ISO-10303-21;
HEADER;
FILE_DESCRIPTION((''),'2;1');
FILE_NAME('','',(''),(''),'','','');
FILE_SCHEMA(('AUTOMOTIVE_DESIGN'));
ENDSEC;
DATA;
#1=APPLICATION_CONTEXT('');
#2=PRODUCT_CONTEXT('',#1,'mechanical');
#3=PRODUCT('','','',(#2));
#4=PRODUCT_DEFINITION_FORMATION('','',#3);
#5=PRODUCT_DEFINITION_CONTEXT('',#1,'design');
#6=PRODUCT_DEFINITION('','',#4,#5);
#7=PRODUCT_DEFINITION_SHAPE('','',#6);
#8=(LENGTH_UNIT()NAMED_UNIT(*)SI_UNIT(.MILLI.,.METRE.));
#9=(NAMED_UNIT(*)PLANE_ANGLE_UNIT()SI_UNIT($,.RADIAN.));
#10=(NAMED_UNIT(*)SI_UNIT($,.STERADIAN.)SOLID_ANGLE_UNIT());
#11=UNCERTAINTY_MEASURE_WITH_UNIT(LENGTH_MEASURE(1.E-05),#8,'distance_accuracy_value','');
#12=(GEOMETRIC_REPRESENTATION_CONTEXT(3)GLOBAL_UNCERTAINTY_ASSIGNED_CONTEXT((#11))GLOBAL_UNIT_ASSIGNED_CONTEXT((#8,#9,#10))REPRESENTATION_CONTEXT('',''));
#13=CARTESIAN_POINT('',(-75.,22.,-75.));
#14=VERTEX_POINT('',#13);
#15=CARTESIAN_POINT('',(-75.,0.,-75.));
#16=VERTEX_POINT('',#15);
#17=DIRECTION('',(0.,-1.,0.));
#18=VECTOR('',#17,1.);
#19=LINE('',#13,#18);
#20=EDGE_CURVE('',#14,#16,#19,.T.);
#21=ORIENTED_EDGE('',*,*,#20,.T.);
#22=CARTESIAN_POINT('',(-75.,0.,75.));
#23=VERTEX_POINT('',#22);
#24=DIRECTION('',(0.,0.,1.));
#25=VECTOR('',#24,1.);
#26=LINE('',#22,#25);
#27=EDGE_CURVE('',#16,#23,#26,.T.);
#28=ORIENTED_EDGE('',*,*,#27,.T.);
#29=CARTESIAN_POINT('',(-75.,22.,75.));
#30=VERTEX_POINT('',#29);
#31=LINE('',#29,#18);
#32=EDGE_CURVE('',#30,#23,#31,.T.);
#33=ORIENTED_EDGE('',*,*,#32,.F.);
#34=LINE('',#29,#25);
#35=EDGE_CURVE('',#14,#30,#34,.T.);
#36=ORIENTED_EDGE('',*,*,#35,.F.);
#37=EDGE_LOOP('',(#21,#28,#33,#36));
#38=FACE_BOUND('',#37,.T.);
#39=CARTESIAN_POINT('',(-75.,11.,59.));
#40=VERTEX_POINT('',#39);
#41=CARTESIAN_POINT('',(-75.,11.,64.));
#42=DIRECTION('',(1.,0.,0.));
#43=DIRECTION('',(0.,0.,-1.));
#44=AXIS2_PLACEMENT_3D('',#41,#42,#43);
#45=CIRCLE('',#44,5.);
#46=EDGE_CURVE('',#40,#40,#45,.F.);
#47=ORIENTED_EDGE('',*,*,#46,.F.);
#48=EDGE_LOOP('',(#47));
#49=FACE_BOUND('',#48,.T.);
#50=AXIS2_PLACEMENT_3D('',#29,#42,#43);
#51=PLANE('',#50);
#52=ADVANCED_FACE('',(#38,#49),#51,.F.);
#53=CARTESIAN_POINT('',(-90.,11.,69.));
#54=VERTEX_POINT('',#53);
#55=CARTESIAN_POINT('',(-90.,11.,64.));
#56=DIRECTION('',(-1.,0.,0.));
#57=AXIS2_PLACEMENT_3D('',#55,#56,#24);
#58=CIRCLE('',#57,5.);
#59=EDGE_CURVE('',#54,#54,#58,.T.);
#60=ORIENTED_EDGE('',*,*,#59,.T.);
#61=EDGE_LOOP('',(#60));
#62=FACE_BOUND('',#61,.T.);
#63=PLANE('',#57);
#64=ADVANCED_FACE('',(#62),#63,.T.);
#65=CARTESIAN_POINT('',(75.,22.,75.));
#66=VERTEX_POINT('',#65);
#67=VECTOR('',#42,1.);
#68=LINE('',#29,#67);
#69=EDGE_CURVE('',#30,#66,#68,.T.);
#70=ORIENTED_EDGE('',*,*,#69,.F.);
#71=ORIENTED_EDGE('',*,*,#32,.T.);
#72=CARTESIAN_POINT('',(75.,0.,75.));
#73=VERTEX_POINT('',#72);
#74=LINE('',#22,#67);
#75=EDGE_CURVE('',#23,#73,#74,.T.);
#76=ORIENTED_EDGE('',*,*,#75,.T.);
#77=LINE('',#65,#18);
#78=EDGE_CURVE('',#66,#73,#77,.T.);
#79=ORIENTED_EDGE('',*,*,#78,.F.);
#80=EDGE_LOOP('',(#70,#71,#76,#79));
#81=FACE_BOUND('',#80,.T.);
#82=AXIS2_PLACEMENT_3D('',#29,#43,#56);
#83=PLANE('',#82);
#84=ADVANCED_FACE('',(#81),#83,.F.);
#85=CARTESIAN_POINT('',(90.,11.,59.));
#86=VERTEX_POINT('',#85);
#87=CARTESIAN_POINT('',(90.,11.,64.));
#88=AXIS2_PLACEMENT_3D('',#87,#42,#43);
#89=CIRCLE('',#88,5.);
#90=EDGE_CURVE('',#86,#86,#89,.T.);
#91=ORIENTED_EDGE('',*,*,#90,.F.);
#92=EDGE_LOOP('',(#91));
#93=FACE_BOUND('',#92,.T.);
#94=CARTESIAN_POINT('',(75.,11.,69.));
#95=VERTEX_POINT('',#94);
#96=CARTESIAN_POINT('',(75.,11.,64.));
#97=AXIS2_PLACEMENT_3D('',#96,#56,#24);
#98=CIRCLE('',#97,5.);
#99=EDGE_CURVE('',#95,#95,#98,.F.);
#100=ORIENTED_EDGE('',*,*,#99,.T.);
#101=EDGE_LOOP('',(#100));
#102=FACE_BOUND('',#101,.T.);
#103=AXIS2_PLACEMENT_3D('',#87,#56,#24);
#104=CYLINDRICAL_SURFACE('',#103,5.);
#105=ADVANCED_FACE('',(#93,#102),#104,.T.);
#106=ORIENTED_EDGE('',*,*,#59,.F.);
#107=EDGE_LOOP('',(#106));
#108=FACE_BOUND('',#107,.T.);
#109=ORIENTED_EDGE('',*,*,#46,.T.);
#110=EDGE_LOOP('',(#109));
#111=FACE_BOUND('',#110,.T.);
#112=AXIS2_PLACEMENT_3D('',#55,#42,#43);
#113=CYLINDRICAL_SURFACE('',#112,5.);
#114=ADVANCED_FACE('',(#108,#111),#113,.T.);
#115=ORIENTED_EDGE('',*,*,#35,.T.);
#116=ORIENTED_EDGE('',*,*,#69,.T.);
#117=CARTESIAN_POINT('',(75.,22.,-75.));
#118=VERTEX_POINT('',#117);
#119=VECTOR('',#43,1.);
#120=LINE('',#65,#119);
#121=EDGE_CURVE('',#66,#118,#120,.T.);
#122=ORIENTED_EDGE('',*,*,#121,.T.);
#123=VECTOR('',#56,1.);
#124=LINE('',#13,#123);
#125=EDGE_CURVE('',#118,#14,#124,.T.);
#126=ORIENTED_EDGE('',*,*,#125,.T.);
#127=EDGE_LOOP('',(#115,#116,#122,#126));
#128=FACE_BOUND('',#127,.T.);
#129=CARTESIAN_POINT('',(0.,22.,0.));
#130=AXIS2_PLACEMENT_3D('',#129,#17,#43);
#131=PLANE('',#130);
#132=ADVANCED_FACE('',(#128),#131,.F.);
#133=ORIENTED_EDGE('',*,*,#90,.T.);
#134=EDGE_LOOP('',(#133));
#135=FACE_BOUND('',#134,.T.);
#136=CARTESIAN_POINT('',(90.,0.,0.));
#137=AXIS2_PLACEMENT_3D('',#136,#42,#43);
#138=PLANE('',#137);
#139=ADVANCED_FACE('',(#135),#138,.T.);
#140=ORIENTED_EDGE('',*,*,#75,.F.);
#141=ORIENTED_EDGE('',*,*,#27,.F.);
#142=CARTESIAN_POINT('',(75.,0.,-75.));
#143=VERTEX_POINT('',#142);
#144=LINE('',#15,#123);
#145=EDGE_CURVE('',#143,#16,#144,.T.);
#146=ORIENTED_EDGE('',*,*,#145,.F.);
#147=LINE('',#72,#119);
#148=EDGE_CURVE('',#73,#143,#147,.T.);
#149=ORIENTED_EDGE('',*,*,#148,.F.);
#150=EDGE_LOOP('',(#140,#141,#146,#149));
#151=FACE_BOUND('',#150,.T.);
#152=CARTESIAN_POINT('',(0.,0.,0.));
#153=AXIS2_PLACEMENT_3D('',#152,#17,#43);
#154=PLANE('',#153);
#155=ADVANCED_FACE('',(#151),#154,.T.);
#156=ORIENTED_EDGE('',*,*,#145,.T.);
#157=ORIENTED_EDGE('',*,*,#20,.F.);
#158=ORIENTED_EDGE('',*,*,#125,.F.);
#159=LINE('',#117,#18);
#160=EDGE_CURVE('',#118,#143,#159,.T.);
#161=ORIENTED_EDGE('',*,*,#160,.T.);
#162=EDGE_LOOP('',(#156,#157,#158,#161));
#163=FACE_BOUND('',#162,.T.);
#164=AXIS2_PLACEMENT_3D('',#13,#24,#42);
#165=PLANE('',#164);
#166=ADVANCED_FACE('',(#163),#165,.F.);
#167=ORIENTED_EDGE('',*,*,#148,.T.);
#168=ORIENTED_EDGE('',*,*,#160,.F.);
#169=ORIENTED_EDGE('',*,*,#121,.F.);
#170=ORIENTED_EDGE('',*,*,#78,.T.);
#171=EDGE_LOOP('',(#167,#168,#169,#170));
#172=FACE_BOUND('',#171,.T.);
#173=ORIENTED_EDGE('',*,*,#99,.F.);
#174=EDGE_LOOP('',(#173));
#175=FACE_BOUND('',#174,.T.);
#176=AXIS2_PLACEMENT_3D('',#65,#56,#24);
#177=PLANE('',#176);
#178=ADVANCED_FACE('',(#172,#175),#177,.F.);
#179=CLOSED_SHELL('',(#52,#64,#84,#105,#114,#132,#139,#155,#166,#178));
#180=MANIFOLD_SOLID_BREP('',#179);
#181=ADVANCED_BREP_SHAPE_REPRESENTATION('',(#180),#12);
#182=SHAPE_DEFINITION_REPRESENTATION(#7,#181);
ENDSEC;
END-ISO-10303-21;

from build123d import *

# Parameters (mm, degrees)
ESQUISSE1_W        = 150
ESQUISSE1_H        = 150
BOSS_EXTRU_1_DEPTH = 22
BOSS_EXTRU_2_DEPTH = 15
BOSS_EXTRU_3_START = 15
ESQUISSE6_R        = 5
BOSS_EXTRU_3_DEPTH = 15


with BuildPart() as part:
    # Esquisse1 → Boss.-Extru.1 (new body)
    with BuildSketch(Plane(origin=(0, 0, 0), x_dir=(1, 0, 0), z_dir=(0, 1, 0))):
        Rectangle(ESQUISSE1_W, ESQUISSE1_H)
    extrude(amount=BOSS_EXTRU_1_DEPTH)

    # Esquisse2 → Boss.-Extru.2 (add)
    with BuildSketch(Plane(origin=(75, 0, 0), x_dir=(0, 0, -1), z_dir=(1, 0, 0))):
        with BuildLine():
            ThreePointArc((-64, 16), (-69, 11), (-64, 6))
            Line((-64, 6), (-64, 16))
        make_face()
        with BuildLine():
            Line((-64, 16), (-64, 6))
            ThreePointArc((-64, 6), (-60.464466094, 7.464466094), (-59, 11))
            ThreePointArc((-59, 11), (-60.464466094, 14.535533906), (-64, 16))
        make_face()
    extrude(amount=BOSS_EXTRU_2_DEPTH)

    # Esquisse6 → Boss.-Extru.3 (add)
    with BuildSketch(Plane.ZY.offset(75).offset(BOSS_EXTRU_3_START)):
        with Locations((64, 11)):
            Circle(ESQUISSE6_R)
    extrude(amount=-BOSS_EXTRU_3_DEPTH)


solid = part.part
